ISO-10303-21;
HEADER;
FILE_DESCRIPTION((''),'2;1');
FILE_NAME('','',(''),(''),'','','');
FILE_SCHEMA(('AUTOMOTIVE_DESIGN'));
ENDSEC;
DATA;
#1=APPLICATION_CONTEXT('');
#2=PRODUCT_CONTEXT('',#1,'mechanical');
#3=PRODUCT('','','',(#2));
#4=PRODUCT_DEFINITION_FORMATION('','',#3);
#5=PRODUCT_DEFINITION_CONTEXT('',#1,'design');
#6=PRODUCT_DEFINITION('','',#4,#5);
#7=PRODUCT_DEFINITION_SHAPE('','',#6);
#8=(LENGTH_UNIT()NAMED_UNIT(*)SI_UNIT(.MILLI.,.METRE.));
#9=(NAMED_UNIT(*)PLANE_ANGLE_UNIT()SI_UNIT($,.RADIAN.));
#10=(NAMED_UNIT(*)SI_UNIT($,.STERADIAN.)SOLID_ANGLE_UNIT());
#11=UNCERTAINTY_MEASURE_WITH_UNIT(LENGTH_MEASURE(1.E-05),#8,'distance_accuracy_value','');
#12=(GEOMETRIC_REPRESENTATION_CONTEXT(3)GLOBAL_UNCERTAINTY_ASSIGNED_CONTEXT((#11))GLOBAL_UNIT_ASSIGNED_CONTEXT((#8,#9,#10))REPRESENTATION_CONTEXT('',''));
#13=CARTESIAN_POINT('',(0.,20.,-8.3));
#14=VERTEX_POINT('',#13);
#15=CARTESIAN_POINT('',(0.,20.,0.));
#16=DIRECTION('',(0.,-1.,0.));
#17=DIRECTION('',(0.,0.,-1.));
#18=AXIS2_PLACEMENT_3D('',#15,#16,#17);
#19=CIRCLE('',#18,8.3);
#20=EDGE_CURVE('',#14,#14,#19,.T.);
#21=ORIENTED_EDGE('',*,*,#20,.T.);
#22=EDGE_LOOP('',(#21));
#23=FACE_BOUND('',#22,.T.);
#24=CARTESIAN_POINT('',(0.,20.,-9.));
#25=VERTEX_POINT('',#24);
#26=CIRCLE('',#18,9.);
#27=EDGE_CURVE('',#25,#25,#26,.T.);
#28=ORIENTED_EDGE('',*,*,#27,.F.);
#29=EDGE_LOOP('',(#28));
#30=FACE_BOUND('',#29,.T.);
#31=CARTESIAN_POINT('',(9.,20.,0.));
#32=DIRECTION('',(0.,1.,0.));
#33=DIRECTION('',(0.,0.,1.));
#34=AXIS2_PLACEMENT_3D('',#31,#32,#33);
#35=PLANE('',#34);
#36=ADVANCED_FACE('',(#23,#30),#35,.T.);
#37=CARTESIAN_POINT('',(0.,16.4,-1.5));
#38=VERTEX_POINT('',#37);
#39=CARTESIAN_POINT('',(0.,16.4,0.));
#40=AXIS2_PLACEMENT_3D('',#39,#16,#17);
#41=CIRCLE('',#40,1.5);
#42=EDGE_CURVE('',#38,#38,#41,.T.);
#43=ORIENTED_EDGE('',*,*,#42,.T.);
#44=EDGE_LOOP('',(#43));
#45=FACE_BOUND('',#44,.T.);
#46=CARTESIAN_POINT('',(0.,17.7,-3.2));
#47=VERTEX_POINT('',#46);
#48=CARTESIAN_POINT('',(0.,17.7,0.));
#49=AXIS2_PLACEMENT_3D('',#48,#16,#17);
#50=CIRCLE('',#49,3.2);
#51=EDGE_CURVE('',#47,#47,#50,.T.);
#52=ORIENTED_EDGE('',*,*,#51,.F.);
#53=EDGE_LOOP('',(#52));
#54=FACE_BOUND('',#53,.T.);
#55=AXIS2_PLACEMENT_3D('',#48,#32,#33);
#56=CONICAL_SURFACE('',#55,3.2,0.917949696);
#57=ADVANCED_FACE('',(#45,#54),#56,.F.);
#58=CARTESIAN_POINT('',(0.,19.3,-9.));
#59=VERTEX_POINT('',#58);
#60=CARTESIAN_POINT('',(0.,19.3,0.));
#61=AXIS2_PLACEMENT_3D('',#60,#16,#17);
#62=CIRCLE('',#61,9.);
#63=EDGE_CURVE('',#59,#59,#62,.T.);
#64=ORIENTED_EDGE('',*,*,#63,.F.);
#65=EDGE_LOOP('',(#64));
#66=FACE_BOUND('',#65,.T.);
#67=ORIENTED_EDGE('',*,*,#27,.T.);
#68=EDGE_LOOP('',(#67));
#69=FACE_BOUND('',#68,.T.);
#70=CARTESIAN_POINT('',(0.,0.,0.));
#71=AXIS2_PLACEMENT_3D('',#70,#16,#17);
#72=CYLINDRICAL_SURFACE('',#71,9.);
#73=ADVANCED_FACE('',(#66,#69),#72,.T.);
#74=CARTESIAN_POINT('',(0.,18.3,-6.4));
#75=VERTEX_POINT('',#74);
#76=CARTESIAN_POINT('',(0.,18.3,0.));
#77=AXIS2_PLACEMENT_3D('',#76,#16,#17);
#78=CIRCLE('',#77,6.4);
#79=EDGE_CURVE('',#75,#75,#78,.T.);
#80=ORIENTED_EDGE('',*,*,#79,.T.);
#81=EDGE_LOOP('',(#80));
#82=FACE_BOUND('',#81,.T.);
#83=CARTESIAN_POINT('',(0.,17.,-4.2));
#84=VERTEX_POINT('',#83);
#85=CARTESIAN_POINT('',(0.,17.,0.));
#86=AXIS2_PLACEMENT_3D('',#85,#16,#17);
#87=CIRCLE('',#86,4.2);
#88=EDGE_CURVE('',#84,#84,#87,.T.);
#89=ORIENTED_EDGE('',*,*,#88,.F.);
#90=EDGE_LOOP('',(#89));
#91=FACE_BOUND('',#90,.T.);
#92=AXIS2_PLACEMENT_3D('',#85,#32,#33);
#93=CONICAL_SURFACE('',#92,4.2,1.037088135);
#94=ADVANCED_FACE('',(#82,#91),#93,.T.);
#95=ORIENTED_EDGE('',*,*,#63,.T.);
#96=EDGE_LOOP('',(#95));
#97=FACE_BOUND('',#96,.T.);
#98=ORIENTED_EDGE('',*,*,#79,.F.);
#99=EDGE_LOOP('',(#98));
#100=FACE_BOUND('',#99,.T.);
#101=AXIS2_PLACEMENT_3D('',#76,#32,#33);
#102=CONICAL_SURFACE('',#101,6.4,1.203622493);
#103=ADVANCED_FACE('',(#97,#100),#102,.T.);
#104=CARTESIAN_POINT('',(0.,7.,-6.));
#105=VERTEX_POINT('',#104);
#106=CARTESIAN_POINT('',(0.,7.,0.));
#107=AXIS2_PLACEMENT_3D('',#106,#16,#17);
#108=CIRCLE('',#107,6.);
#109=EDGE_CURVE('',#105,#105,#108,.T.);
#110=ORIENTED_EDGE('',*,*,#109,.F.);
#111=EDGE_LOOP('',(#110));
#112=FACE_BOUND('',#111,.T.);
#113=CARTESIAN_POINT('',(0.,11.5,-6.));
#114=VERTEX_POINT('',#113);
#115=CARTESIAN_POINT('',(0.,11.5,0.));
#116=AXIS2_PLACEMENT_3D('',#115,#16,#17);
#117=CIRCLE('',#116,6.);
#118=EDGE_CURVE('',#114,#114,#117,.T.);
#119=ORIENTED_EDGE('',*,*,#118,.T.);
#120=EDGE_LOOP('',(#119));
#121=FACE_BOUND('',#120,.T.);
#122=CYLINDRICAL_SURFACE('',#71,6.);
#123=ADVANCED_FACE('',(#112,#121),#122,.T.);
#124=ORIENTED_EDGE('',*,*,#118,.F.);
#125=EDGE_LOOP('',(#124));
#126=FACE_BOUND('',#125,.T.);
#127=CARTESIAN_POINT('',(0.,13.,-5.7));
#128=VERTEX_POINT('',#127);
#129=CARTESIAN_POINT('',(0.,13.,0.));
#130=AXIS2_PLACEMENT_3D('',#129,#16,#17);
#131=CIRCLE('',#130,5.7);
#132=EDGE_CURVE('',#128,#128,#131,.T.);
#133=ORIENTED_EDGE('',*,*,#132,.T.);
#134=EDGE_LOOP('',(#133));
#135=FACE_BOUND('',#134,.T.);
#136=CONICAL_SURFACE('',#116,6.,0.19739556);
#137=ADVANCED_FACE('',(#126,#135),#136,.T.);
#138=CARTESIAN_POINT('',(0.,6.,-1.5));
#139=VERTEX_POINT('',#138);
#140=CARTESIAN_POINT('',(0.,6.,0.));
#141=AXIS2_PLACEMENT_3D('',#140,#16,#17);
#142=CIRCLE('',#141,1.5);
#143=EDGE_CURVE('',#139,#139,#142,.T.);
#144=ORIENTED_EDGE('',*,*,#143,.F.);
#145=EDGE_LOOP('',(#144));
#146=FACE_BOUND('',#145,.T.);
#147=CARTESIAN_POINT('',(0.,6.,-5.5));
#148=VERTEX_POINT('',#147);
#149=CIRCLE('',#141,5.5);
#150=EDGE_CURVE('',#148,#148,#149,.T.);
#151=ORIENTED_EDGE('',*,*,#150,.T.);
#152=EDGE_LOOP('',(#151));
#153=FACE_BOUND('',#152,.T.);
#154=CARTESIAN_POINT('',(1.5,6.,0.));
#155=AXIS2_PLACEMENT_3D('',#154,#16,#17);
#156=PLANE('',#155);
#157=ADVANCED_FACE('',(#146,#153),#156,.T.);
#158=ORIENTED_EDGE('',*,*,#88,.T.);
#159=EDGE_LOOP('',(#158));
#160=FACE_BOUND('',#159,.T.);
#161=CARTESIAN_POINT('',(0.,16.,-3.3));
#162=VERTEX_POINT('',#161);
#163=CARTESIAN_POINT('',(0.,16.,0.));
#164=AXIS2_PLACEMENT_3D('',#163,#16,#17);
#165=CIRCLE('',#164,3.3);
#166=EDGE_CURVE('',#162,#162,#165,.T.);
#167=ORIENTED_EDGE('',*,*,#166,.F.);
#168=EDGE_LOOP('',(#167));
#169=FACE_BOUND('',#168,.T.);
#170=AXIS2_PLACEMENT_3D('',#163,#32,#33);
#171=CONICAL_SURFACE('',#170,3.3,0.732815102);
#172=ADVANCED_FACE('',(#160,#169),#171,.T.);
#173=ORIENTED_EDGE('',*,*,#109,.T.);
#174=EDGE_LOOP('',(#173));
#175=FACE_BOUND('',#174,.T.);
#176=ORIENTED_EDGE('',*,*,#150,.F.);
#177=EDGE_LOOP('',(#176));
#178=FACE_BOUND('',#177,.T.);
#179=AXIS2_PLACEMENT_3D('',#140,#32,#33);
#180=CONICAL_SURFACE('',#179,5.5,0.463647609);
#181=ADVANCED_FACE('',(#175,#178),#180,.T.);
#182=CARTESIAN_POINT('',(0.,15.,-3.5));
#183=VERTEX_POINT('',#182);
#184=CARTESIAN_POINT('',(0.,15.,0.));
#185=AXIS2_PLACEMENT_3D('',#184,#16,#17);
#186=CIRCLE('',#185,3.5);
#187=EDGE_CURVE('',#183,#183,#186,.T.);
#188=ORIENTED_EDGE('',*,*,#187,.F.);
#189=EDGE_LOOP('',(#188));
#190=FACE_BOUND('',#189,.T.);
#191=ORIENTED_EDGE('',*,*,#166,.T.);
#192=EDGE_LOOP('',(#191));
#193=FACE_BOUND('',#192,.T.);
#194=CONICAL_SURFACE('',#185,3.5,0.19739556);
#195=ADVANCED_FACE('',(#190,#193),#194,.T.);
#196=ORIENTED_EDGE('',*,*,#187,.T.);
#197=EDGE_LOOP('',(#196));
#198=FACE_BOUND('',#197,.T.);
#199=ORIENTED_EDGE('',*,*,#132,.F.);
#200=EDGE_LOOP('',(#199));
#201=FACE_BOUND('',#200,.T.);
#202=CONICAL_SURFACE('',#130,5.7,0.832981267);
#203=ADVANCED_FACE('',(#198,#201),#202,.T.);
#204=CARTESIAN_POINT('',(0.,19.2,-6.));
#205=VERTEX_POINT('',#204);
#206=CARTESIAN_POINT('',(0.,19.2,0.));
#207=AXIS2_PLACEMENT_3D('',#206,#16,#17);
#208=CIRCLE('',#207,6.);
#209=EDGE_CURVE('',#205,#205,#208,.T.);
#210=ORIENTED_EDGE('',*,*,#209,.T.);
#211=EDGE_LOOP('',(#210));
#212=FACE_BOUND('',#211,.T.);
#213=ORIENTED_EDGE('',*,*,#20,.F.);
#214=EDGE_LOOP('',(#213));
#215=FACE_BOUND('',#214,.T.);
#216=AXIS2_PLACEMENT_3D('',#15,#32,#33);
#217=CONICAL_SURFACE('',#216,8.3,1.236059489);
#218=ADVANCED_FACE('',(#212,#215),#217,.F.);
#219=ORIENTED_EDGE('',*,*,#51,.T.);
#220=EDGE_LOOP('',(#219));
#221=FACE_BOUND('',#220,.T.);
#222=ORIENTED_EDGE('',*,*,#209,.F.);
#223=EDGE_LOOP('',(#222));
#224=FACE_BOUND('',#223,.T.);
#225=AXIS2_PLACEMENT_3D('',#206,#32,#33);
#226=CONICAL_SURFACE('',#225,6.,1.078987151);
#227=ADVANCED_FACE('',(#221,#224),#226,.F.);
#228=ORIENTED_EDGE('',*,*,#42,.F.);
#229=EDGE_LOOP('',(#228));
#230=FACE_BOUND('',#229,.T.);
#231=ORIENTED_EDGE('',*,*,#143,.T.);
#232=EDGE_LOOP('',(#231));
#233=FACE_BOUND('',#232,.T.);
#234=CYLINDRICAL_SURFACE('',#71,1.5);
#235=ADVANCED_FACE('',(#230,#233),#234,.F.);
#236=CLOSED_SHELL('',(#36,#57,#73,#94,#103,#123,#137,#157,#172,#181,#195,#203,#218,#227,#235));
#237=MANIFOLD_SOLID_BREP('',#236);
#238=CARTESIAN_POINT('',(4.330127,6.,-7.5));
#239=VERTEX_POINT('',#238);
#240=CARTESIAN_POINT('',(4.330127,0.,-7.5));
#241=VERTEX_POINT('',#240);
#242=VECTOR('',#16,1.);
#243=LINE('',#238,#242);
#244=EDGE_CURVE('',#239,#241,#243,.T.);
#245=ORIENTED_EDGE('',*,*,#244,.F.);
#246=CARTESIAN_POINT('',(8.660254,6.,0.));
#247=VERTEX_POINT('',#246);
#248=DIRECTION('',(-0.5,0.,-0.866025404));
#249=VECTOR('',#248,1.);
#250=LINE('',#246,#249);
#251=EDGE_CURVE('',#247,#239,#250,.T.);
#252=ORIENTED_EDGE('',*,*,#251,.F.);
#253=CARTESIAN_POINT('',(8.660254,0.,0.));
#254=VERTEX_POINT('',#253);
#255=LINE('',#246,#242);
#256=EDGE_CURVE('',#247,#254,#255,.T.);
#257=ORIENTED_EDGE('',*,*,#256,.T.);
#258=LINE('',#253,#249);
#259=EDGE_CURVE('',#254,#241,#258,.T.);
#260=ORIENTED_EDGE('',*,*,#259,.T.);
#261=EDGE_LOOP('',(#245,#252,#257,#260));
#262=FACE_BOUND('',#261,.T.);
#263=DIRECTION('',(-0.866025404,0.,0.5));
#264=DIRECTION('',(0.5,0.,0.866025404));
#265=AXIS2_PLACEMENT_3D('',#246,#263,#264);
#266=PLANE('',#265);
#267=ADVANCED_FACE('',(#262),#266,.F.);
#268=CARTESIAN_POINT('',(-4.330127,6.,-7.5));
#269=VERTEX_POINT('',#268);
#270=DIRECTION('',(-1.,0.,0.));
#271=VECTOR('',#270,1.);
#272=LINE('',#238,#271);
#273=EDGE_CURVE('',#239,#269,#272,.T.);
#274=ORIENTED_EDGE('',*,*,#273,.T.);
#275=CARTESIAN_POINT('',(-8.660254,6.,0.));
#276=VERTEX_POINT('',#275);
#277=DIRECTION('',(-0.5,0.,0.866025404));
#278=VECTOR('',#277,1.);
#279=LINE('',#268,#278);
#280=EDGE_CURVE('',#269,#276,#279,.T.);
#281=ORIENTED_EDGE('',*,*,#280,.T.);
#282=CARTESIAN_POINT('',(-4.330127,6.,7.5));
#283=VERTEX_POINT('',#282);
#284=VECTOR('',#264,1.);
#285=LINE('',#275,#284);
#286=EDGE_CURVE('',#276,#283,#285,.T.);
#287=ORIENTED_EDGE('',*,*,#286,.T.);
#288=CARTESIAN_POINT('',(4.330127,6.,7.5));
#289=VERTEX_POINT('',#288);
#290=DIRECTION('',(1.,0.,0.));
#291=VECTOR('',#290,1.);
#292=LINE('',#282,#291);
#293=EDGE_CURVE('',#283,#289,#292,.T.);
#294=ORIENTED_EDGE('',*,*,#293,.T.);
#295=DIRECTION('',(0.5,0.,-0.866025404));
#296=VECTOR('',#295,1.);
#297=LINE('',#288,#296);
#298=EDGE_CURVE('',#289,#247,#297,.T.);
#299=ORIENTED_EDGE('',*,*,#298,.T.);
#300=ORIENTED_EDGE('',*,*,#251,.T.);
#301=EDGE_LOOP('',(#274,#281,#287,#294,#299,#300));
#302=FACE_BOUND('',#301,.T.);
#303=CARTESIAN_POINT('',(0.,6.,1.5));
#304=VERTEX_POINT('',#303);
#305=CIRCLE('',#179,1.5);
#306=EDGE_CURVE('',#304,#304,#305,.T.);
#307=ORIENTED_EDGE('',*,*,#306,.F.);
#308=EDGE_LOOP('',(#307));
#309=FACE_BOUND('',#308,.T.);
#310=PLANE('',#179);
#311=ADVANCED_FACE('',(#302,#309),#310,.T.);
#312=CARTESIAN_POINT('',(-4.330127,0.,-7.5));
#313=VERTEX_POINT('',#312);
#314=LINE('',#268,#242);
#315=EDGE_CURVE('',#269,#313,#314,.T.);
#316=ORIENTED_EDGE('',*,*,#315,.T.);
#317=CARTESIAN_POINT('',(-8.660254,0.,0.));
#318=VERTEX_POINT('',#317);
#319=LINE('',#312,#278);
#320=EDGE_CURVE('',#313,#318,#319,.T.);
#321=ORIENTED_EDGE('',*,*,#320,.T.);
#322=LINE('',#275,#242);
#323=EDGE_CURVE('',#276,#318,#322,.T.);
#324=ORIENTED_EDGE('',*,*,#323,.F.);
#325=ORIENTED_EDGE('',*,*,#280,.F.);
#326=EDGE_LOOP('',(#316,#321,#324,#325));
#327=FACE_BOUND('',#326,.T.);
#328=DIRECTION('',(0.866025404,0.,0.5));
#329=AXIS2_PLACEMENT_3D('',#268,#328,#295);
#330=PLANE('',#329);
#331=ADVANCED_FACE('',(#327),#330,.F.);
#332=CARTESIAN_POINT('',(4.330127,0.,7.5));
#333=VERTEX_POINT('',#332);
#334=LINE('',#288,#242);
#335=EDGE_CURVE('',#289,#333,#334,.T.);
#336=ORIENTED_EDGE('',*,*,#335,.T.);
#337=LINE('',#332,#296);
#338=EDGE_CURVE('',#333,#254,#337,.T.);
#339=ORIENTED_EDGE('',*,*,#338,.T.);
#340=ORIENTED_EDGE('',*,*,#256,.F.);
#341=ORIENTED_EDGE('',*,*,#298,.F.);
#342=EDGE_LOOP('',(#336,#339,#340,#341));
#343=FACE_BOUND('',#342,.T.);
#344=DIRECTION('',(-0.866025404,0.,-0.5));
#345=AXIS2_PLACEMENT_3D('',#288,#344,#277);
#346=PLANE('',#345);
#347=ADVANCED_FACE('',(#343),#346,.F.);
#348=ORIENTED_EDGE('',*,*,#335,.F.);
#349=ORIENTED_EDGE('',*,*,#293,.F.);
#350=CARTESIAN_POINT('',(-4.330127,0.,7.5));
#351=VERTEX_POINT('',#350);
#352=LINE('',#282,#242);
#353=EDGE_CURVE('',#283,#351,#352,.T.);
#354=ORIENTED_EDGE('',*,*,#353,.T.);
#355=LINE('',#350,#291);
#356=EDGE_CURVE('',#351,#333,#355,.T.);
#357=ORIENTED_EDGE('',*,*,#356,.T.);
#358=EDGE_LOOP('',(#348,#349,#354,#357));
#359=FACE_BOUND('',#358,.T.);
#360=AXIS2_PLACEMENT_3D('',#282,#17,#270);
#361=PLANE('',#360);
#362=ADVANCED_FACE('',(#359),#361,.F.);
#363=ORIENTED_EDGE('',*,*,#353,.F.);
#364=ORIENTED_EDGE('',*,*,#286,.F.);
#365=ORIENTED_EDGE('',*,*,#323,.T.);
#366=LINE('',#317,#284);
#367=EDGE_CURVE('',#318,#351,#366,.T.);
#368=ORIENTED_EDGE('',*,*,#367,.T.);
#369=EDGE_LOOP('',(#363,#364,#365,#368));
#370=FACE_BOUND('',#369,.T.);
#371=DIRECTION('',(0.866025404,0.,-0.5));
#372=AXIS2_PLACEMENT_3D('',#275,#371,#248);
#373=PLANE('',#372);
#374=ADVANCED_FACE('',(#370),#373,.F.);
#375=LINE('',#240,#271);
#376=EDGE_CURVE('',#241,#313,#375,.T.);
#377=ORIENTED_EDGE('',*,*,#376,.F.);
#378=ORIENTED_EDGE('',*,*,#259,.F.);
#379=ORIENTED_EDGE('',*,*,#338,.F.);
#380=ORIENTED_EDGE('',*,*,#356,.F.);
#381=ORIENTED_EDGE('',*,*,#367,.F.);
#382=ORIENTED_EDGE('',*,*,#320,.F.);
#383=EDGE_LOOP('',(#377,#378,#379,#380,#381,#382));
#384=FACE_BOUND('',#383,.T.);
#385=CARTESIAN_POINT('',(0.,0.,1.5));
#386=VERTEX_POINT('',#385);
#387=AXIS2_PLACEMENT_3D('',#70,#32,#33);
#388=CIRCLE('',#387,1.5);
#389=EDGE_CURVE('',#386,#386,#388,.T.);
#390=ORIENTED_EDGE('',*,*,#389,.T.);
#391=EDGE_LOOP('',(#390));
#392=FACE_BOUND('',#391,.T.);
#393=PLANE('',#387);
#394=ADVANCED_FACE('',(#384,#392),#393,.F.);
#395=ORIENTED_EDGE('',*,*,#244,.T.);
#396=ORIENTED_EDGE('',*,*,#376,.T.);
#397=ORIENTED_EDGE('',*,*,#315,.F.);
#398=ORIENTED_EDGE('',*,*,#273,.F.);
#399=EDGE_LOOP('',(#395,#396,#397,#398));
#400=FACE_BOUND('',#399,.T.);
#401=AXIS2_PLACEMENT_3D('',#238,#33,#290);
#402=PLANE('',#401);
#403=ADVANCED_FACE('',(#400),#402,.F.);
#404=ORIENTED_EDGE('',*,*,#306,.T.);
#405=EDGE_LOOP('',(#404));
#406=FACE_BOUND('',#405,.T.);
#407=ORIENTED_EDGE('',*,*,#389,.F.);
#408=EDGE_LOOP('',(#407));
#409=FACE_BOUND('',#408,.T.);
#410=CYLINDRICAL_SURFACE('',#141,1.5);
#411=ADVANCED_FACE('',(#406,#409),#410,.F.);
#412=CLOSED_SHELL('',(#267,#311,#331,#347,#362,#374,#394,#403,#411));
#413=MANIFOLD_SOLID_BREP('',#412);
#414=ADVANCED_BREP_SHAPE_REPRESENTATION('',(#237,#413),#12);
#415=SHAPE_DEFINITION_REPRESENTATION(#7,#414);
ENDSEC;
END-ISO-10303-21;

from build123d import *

# Parameters (mm, degrees)
SKETCH_1_R      = 1.5
AF15_H6_3_DEPTH = 6


with BuildPart() as part:
    # 草圖1 → 六角底座_AF15_H6_通氣孔3 (new body)
    with BuildSketch(Plane(origin=(0, 0, 0), x_dir=(1, 0, 0), z_dir=(0, 1, 0))):
        Polygon((8.660254038, 0), (4.330127019, 7.5), (-4.330127019, 7.5), (-8.660254038, 0), (-4.330127019, -7.5), (4.330127019, -7.5), align=None)
        with Locations(Location((0, 0, 0), (0, 0, 270))):
            Circle(SKETCH_1_R, mode=Mode.SUBTRACT)
    extrude(amount=AF15_H6_3_DEPTH)


with BuildPart() as body_2:
    # 草圖2 → 吸盤_口徑18_H14_中空唇口 (revolve)
    with BuildSketch(Plane.XY, mode=Mode.PRIVATE) as revolve_18_h14_sk:
        Polygon((1.5, 6), (5.5, 6), (6, 7), (6, 11.5), (5.7, 13), (3.5, 15), (3.3, 16), (4.2, 17), (6.4, 18.3), (9, 19.3), (9, 20), (8.3, 20), (6, 19.2), (3.2, 17.7), (1.5, 16.4), align=None)
    revolve(revolve_18_h14_sk.sketch.rotate(Axis((0, 0, 0), (0, 1, 0)), 90), axis=Axis((0, 0, 0), (0, 1, 0)))


solid = Compound([part.part, body_2.part])
